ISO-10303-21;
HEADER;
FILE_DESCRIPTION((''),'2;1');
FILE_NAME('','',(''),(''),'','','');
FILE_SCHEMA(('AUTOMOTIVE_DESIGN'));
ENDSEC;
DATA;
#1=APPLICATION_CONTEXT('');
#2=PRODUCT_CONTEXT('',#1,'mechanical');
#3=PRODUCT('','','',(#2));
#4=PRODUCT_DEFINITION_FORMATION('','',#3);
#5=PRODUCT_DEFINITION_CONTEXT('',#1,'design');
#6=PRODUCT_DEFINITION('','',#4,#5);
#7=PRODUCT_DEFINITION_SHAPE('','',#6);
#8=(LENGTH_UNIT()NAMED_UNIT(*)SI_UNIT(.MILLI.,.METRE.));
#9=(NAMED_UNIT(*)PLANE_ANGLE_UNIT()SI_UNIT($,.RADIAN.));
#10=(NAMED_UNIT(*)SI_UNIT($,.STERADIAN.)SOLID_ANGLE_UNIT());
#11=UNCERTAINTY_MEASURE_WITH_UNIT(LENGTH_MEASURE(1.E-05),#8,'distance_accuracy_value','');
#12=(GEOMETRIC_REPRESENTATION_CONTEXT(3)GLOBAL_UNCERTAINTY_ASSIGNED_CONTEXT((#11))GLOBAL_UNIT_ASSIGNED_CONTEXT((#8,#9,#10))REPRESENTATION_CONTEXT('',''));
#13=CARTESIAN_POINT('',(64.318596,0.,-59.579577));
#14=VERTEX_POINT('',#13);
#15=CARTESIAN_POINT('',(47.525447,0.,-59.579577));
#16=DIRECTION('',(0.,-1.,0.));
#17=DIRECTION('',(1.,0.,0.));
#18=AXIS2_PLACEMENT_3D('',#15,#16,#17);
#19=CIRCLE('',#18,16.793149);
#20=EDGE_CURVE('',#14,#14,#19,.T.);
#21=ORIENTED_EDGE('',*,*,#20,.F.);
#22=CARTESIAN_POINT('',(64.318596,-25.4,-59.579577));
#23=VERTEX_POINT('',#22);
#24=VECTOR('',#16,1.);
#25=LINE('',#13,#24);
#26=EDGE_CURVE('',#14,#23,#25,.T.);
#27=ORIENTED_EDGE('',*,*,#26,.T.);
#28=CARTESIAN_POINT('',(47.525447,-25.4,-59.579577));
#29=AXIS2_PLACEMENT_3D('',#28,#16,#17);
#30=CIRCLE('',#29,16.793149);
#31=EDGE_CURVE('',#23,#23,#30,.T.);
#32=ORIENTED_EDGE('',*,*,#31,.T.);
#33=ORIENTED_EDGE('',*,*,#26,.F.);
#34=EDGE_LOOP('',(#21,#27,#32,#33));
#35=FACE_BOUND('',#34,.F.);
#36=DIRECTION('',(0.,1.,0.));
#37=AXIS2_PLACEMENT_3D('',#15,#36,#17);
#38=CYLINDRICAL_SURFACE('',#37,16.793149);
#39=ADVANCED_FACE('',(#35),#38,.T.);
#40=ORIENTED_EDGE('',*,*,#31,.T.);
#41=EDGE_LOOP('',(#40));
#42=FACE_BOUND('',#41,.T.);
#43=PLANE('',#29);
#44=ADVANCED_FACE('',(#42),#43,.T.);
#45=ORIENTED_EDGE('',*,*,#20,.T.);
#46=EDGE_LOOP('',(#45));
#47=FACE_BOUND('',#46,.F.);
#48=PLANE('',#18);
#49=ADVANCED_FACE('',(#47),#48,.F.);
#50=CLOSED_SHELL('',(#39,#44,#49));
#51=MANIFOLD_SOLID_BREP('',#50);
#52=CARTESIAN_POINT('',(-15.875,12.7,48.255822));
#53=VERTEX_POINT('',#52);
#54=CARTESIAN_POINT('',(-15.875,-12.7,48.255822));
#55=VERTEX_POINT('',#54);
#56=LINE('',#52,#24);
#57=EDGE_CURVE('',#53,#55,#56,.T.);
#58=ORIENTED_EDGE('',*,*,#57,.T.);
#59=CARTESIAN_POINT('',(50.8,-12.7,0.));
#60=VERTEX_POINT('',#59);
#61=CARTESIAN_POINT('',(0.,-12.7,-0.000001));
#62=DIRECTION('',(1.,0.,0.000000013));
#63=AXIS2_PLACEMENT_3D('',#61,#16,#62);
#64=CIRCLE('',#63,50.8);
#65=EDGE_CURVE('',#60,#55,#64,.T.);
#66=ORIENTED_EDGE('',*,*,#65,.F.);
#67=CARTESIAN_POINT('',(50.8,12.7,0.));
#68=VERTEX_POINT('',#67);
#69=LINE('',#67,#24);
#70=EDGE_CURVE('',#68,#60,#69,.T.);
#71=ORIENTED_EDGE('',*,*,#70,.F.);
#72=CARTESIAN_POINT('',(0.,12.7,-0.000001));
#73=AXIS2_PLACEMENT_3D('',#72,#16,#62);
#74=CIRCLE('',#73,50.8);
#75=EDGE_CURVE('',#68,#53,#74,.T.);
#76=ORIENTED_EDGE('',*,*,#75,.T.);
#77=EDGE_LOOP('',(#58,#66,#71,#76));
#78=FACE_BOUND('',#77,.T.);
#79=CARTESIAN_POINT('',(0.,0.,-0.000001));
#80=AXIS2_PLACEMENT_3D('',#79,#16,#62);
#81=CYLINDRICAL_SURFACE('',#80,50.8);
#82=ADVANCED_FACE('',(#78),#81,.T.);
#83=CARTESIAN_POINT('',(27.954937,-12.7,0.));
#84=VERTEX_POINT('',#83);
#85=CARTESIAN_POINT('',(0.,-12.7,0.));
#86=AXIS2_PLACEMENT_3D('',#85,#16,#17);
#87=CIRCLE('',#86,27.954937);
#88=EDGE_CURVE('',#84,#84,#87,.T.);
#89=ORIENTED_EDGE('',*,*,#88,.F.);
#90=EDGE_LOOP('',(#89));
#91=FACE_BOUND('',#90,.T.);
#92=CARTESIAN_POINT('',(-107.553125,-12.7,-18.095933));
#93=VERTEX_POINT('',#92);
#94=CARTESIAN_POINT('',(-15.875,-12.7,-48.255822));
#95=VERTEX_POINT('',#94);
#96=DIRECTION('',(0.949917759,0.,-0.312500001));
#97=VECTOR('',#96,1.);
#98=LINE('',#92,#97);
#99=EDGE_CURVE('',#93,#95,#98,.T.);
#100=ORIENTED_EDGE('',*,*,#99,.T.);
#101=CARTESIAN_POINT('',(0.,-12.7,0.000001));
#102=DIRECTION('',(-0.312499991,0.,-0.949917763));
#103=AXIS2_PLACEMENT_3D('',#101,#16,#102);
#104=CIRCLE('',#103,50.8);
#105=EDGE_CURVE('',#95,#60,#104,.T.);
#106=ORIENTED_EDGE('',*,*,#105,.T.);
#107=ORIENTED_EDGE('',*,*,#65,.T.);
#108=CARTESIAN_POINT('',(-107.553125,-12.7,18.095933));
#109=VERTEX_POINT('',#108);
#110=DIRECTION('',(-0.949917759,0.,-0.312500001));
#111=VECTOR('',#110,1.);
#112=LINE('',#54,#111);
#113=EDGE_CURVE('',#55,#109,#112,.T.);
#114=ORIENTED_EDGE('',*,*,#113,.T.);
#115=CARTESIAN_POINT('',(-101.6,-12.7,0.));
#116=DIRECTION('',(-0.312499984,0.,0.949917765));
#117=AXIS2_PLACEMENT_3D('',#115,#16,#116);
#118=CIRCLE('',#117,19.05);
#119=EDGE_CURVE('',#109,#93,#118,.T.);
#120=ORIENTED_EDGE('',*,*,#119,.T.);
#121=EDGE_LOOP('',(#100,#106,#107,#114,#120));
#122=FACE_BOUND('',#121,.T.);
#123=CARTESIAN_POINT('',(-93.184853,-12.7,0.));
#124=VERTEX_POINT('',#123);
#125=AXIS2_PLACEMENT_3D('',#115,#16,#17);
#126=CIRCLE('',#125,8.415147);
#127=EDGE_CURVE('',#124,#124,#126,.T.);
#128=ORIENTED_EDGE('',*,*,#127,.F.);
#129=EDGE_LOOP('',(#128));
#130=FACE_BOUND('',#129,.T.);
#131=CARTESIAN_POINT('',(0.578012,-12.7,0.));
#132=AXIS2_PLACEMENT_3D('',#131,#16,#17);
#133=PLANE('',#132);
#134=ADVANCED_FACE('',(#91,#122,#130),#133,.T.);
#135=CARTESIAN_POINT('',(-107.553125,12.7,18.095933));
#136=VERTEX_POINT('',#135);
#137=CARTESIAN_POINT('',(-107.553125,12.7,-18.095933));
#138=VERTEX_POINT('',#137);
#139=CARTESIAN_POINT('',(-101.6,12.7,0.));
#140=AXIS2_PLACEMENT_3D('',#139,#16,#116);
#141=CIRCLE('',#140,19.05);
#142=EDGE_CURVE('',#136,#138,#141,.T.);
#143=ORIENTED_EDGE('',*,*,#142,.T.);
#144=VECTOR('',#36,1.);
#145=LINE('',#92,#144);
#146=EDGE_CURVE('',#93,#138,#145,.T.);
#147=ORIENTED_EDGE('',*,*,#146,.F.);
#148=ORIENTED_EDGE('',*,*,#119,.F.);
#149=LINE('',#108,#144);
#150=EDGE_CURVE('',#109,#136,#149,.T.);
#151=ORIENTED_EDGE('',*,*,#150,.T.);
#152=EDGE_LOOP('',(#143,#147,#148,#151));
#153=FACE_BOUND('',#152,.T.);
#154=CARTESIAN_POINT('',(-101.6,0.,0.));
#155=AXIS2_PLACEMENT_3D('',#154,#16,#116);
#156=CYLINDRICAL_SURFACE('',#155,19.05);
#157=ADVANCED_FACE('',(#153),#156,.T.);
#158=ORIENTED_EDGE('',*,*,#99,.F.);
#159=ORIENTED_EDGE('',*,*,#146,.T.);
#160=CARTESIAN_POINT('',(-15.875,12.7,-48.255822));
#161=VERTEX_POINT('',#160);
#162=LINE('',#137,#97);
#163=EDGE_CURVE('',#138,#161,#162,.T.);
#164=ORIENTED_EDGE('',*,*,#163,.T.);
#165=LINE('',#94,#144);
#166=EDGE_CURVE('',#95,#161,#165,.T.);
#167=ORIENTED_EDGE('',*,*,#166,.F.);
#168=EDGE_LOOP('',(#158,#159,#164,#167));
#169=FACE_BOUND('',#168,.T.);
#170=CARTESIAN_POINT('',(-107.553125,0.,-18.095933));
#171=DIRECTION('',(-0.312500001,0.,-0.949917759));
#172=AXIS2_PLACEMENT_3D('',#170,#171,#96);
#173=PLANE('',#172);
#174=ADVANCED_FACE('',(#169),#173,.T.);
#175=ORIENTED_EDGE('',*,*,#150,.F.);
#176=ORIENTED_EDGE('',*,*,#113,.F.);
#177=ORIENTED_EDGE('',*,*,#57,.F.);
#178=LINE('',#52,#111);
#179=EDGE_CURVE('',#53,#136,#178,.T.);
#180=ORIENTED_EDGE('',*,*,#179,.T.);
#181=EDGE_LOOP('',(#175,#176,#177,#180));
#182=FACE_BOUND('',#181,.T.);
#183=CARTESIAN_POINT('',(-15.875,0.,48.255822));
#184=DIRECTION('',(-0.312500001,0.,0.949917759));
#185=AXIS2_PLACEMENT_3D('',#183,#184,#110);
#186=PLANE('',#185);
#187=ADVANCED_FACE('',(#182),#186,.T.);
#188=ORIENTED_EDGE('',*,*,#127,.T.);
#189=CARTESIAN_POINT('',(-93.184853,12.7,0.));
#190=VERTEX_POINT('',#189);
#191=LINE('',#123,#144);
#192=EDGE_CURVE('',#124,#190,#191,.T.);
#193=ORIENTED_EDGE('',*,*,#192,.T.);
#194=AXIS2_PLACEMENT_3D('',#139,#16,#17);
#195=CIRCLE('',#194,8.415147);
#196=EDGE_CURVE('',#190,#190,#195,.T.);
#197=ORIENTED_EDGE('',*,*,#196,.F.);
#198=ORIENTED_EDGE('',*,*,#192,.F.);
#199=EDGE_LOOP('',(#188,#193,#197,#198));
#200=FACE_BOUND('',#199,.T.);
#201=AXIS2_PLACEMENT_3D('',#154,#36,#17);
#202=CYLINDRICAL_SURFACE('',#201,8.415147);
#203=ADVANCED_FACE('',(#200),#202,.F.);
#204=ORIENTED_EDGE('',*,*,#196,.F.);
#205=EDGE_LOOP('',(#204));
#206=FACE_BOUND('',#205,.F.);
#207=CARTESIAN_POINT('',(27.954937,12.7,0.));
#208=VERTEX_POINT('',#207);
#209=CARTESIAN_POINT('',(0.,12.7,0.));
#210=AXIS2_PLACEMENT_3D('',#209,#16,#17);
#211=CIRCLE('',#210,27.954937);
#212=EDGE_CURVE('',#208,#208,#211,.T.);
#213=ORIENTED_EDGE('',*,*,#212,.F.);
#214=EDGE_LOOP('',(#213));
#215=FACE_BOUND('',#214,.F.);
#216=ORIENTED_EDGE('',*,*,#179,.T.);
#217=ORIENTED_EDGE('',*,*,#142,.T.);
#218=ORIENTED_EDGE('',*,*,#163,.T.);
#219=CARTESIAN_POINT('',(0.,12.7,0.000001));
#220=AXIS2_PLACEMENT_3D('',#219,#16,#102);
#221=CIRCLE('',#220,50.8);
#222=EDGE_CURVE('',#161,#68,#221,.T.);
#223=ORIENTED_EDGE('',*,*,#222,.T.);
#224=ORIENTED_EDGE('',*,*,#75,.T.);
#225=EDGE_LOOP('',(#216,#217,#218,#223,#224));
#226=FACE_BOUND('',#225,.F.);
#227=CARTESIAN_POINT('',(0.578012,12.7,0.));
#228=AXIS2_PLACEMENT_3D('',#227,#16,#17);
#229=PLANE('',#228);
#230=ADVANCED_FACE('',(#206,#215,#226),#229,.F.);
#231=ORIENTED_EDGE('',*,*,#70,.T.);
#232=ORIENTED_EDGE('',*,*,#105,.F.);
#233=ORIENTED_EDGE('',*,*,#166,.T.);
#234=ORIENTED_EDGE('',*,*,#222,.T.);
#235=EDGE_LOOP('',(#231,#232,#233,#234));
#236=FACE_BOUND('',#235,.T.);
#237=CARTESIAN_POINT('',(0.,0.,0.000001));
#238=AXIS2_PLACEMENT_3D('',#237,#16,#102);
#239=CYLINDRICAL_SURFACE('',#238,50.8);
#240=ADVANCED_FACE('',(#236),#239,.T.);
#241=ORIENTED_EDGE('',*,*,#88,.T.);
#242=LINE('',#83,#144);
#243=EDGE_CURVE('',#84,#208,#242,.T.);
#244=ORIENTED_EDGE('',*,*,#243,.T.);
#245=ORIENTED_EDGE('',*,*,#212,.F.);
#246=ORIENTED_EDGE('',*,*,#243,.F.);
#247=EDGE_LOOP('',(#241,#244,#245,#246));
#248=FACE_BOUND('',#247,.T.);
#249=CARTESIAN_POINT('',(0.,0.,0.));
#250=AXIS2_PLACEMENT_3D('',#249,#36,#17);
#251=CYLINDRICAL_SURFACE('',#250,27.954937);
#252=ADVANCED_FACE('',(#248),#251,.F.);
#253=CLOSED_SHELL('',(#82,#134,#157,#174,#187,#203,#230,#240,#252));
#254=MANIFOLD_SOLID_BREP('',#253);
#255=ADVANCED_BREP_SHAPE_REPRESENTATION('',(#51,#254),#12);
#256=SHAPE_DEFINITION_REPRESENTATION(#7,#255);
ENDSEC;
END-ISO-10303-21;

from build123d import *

# Parameters (mm, degrees)
F1_R     = 16.793149
F2_DEPTH = 25.4
F0_R     = 27.954937
F0_R_2   = 8.415147
F3_DEPTH = 12.7


with BuildPart() as f2:
    # F1 (on Front) → F2 (new body)
    with BuildSketch(Plane.XZ):
        with Locations((47.525447, -59.579577)):
            Circle(F1_R)
    extrude(amount=F2_DEPTH)


with BuildPart() as f3:
    # F0 (on Front) → F3 (new body, symmetric)
    with BuildSketch(Plane.XZ):
        with BuildLine():
            ThreePointArc((-15.875, -48.255822), (29.78414, -41.152703), (50.8, 0))
            ThreePointArc((50.8, 0), (29.78414, 41.152703), (-15.875, 48.255822))
            ThreePointArc((-15.875, 48.255822), (-50.8, 0), (-15.875, -48.255822))
        make_face()
        Circle(F0_R, mode=Mode.SUBTRACT)
        with BuildLine():
            ThreePointArc((-15.875, -48.255822), (-50.8, 0), (-15.875, 48.255822))
            Line((-15.875, 48.255822), (-107.553125, 18.095933))
            ThreePointArc((-107.553125, 18.095933), (-90.430947, 15.432264), (-82.55, 0))
            ThreePointArc((-82.55, 0), (-90.430947, -15.432264), (-107.553125, -18.095933))
            Line((-107.553125, -18.095933), (-15.875, -48.255822))
        make_face()
        with BuildLine():
            ThreePointArc((-82.55, 0), (-90.430947, 15.432264), (-107.553125, 18.095933))
            ThreePointArc((-107.553125, 18.095933), (-120.65, 0), (-107.553125, -18.095933))
            ThreePointArc((-107.553125, -18.095933), (-90.430947, -15.432264), (-82.55, 0))
        make_face()
        with Locations((-101.6, 0)):
            Circle(F0_R_2, mode=Mode.SUBTRACT)
    extrude(amount=F3_DEPTH, both=True)


solid = Compound([f2.part, f3.part])
